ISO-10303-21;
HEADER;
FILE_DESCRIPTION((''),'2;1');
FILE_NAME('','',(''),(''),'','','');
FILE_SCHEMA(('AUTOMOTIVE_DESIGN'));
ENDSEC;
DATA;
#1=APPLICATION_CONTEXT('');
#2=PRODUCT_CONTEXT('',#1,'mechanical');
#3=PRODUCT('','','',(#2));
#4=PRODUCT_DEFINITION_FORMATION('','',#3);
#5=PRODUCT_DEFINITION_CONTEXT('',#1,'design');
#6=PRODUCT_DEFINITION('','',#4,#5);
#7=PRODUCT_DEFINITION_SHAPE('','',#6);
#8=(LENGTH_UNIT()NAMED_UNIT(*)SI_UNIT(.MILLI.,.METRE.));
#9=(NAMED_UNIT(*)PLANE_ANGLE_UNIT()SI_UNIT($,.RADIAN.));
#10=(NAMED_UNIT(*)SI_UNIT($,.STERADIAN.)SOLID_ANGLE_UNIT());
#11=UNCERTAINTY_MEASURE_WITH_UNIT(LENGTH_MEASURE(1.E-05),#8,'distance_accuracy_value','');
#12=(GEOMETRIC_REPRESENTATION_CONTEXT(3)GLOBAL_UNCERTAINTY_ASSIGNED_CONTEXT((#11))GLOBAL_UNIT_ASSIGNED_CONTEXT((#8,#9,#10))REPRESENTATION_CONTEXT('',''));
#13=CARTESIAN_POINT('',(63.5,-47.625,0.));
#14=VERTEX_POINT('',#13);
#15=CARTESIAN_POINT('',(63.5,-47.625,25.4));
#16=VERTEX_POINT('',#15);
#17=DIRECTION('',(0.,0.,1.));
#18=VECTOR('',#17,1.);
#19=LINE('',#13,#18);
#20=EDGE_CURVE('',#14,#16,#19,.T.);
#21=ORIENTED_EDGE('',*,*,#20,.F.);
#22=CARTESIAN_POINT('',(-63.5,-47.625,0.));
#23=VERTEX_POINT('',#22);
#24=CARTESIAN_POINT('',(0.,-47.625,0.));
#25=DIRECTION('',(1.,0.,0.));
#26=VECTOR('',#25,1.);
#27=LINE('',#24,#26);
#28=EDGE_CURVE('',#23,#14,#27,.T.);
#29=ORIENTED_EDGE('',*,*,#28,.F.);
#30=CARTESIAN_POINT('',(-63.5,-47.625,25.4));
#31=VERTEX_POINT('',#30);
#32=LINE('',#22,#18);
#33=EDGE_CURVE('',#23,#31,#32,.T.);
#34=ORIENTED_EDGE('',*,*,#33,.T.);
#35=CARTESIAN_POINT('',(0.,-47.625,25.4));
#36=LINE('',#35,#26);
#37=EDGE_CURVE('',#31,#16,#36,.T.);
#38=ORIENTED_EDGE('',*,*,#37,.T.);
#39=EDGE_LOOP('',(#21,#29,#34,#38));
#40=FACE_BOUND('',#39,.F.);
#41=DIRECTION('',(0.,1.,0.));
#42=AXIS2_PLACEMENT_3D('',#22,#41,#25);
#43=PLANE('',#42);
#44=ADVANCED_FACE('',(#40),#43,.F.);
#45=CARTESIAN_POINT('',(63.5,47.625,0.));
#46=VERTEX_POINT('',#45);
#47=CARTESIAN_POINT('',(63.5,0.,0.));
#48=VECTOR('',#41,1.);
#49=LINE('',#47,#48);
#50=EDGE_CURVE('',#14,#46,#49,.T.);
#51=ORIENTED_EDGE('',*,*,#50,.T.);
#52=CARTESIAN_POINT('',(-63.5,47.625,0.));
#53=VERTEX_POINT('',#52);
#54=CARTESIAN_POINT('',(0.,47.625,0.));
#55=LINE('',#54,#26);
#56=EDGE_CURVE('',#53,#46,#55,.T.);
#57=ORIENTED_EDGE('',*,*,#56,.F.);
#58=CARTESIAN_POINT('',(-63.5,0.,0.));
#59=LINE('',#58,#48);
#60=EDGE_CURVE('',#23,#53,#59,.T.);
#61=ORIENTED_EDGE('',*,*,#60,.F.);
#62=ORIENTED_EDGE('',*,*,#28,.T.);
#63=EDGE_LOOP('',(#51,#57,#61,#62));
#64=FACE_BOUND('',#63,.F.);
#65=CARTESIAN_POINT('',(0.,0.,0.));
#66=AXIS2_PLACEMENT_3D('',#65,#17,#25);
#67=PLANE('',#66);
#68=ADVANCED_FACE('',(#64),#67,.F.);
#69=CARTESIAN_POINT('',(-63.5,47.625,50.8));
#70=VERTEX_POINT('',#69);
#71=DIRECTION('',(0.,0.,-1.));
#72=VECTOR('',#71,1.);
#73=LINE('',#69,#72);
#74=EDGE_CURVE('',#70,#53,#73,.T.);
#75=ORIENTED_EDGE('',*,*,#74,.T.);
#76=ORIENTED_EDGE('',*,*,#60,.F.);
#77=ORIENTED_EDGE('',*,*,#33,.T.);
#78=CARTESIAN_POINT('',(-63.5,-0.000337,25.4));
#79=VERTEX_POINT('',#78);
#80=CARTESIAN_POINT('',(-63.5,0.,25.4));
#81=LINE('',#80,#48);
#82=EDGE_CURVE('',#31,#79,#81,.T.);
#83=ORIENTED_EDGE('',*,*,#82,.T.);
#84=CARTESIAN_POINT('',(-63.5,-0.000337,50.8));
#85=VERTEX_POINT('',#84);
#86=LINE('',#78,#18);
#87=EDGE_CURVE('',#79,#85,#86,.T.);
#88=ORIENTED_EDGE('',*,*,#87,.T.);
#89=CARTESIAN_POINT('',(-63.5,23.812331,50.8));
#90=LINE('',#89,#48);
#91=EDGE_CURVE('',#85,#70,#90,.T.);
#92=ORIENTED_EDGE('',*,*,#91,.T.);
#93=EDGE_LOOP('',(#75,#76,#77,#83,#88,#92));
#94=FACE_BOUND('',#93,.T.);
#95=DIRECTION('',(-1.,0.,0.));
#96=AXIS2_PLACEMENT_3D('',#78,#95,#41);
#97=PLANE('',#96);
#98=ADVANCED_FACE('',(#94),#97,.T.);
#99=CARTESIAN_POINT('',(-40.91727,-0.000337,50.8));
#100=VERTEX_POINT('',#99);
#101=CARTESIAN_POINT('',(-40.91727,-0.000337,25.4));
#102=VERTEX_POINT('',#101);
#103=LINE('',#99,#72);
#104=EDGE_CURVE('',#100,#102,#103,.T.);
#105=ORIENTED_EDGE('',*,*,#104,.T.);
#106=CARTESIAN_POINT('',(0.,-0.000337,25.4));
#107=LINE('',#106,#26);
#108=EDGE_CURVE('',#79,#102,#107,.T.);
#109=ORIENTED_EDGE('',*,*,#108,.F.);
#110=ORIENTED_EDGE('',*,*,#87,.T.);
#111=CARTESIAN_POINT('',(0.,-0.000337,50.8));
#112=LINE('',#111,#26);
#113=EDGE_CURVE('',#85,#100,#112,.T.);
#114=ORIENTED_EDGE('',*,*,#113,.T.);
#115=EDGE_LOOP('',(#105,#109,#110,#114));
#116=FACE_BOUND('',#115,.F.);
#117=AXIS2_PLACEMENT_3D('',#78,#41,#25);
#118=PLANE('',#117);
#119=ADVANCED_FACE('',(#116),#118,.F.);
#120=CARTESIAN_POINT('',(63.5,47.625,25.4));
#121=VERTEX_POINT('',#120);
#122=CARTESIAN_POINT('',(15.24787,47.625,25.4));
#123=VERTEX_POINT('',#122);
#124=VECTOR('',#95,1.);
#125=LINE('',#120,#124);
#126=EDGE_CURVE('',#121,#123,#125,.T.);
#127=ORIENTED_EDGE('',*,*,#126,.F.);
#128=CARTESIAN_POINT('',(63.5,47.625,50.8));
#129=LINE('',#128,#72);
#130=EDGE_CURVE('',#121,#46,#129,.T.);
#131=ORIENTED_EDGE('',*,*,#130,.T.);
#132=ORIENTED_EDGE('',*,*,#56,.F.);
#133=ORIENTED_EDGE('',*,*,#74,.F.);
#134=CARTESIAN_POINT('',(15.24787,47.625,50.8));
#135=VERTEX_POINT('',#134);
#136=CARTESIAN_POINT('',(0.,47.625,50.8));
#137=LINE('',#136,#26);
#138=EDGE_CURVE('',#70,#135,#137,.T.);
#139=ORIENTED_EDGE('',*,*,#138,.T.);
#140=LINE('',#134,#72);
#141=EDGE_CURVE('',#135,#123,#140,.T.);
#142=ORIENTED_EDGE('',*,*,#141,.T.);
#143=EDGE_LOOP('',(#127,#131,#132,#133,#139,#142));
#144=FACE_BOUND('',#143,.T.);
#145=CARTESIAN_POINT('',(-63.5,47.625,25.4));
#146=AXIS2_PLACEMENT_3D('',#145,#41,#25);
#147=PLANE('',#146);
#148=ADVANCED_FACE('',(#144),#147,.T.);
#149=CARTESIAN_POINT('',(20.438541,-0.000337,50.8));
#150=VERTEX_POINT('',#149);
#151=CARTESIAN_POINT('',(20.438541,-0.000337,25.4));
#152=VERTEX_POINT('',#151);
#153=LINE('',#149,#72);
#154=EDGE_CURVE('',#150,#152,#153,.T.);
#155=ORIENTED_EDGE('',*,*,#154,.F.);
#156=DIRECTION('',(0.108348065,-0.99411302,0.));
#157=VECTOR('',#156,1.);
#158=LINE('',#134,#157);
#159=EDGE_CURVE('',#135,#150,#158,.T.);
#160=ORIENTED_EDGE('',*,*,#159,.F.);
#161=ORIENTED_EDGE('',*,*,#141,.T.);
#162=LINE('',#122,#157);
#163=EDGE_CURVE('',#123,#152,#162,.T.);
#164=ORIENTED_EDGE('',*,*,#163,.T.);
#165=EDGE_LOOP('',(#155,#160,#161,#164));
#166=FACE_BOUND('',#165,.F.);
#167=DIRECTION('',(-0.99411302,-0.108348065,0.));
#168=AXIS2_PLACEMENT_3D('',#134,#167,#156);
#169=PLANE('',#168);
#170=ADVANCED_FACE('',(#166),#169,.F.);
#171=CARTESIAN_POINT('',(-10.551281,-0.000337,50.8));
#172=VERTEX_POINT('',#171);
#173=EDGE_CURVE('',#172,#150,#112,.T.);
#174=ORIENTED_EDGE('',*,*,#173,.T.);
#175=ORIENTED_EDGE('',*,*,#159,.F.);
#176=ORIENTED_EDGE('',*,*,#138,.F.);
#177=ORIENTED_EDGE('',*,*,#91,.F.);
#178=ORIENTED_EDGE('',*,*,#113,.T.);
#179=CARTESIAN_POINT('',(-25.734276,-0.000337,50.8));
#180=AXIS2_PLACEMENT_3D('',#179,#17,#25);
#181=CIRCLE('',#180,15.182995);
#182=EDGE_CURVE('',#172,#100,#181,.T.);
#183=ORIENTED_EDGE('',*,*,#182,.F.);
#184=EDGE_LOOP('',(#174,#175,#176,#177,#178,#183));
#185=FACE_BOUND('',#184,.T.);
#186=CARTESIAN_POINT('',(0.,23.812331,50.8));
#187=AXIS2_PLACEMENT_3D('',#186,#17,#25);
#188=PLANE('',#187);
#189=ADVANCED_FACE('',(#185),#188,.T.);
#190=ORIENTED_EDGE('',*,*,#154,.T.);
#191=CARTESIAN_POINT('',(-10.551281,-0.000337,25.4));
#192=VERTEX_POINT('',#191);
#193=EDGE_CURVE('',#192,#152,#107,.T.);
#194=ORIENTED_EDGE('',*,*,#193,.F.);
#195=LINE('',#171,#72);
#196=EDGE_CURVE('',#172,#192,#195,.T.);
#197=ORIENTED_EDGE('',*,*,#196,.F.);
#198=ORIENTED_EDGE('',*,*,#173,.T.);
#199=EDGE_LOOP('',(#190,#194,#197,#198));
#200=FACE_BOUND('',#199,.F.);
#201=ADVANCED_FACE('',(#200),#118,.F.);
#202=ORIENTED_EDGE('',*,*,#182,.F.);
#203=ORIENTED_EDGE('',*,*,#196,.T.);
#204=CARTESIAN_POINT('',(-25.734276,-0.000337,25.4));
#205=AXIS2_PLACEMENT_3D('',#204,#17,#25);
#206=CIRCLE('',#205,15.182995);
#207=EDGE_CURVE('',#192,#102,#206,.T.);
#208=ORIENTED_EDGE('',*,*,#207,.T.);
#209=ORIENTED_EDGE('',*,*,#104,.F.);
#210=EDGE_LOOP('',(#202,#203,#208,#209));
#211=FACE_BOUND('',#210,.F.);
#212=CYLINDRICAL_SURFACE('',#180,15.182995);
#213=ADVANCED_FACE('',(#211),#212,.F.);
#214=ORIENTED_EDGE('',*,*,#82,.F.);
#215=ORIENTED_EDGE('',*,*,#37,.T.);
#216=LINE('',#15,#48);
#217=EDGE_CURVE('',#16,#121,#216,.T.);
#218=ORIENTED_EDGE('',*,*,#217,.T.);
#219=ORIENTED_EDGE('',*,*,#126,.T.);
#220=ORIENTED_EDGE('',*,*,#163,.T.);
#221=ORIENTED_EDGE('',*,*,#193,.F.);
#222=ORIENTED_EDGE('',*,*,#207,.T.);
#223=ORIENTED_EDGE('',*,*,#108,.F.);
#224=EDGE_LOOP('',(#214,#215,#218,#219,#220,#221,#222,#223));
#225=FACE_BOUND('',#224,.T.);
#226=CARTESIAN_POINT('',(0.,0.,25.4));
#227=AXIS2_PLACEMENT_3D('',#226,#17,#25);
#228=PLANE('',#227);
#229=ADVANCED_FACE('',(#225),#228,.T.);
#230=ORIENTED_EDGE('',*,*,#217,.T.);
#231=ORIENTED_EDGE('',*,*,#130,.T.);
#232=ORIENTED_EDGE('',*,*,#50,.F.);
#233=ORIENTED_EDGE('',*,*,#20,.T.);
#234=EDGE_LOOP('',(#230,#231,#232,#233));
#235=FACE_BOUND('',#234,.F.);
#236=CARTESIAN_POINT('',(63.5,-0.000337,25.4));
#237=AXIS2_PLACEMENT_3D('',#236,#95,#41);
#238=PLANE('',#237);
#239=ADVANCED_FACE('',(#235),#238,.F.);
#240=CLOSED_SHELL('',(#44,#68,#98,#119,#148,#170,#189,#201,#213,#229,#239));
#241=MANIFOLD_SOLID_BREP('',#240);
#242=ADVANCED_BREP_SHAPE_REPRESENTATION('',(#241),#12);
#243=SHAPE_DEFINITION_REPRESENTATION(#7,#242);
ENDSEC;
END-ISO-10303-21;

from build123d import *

# Parameters (mm, degrees)
F0_W     = 127
F0_H     = 95.25
F1_DEPTH = 25.4
F2_W     = 127
F2_H     = 47.6253371388
F3_DEPTH = 25.4
F5_DEPTH = 25.4


with BuildPart() as f1:
    # F0 (on Top) → F1 (new body)
    with BuildSketch(Plane.XY):
        Rectangle(F0_W, F0_H)
    extrude(amount=F1_DEPTH)

    # F2 (on face) → F3 (join)
    with BuildSketch(Plane.XY.offset(25.4)):
        with Locations((0, 23.8123314306)):
            Rectangle(F2_W, F2_H)
    extrude(amount=F3_DEPTH)

    # F4 (on face) → F5 (cut)
    with BuildSketch(Plane.XY.offset(50.8)):
        with BuildLine():
            Line((-40.9172700879, -0.0003371388), (-10.551281071, -0.0003371388))
            ThreePointArc((-10.551281071, -0.0003371388), (-25.7342755795, 15.1826573697), (-40.9172700879, -0.0003371388))
        make_face()
        Polygon((63.5, 47.625), (15.2478702366, 47.625), (20.4385407269, -0.0003371388), (63.5, -0.0003371388), align=None)
    extrude(amount=-F5_DEPTH, mode=Mode.SUBTRACT)


solid = f1.part
